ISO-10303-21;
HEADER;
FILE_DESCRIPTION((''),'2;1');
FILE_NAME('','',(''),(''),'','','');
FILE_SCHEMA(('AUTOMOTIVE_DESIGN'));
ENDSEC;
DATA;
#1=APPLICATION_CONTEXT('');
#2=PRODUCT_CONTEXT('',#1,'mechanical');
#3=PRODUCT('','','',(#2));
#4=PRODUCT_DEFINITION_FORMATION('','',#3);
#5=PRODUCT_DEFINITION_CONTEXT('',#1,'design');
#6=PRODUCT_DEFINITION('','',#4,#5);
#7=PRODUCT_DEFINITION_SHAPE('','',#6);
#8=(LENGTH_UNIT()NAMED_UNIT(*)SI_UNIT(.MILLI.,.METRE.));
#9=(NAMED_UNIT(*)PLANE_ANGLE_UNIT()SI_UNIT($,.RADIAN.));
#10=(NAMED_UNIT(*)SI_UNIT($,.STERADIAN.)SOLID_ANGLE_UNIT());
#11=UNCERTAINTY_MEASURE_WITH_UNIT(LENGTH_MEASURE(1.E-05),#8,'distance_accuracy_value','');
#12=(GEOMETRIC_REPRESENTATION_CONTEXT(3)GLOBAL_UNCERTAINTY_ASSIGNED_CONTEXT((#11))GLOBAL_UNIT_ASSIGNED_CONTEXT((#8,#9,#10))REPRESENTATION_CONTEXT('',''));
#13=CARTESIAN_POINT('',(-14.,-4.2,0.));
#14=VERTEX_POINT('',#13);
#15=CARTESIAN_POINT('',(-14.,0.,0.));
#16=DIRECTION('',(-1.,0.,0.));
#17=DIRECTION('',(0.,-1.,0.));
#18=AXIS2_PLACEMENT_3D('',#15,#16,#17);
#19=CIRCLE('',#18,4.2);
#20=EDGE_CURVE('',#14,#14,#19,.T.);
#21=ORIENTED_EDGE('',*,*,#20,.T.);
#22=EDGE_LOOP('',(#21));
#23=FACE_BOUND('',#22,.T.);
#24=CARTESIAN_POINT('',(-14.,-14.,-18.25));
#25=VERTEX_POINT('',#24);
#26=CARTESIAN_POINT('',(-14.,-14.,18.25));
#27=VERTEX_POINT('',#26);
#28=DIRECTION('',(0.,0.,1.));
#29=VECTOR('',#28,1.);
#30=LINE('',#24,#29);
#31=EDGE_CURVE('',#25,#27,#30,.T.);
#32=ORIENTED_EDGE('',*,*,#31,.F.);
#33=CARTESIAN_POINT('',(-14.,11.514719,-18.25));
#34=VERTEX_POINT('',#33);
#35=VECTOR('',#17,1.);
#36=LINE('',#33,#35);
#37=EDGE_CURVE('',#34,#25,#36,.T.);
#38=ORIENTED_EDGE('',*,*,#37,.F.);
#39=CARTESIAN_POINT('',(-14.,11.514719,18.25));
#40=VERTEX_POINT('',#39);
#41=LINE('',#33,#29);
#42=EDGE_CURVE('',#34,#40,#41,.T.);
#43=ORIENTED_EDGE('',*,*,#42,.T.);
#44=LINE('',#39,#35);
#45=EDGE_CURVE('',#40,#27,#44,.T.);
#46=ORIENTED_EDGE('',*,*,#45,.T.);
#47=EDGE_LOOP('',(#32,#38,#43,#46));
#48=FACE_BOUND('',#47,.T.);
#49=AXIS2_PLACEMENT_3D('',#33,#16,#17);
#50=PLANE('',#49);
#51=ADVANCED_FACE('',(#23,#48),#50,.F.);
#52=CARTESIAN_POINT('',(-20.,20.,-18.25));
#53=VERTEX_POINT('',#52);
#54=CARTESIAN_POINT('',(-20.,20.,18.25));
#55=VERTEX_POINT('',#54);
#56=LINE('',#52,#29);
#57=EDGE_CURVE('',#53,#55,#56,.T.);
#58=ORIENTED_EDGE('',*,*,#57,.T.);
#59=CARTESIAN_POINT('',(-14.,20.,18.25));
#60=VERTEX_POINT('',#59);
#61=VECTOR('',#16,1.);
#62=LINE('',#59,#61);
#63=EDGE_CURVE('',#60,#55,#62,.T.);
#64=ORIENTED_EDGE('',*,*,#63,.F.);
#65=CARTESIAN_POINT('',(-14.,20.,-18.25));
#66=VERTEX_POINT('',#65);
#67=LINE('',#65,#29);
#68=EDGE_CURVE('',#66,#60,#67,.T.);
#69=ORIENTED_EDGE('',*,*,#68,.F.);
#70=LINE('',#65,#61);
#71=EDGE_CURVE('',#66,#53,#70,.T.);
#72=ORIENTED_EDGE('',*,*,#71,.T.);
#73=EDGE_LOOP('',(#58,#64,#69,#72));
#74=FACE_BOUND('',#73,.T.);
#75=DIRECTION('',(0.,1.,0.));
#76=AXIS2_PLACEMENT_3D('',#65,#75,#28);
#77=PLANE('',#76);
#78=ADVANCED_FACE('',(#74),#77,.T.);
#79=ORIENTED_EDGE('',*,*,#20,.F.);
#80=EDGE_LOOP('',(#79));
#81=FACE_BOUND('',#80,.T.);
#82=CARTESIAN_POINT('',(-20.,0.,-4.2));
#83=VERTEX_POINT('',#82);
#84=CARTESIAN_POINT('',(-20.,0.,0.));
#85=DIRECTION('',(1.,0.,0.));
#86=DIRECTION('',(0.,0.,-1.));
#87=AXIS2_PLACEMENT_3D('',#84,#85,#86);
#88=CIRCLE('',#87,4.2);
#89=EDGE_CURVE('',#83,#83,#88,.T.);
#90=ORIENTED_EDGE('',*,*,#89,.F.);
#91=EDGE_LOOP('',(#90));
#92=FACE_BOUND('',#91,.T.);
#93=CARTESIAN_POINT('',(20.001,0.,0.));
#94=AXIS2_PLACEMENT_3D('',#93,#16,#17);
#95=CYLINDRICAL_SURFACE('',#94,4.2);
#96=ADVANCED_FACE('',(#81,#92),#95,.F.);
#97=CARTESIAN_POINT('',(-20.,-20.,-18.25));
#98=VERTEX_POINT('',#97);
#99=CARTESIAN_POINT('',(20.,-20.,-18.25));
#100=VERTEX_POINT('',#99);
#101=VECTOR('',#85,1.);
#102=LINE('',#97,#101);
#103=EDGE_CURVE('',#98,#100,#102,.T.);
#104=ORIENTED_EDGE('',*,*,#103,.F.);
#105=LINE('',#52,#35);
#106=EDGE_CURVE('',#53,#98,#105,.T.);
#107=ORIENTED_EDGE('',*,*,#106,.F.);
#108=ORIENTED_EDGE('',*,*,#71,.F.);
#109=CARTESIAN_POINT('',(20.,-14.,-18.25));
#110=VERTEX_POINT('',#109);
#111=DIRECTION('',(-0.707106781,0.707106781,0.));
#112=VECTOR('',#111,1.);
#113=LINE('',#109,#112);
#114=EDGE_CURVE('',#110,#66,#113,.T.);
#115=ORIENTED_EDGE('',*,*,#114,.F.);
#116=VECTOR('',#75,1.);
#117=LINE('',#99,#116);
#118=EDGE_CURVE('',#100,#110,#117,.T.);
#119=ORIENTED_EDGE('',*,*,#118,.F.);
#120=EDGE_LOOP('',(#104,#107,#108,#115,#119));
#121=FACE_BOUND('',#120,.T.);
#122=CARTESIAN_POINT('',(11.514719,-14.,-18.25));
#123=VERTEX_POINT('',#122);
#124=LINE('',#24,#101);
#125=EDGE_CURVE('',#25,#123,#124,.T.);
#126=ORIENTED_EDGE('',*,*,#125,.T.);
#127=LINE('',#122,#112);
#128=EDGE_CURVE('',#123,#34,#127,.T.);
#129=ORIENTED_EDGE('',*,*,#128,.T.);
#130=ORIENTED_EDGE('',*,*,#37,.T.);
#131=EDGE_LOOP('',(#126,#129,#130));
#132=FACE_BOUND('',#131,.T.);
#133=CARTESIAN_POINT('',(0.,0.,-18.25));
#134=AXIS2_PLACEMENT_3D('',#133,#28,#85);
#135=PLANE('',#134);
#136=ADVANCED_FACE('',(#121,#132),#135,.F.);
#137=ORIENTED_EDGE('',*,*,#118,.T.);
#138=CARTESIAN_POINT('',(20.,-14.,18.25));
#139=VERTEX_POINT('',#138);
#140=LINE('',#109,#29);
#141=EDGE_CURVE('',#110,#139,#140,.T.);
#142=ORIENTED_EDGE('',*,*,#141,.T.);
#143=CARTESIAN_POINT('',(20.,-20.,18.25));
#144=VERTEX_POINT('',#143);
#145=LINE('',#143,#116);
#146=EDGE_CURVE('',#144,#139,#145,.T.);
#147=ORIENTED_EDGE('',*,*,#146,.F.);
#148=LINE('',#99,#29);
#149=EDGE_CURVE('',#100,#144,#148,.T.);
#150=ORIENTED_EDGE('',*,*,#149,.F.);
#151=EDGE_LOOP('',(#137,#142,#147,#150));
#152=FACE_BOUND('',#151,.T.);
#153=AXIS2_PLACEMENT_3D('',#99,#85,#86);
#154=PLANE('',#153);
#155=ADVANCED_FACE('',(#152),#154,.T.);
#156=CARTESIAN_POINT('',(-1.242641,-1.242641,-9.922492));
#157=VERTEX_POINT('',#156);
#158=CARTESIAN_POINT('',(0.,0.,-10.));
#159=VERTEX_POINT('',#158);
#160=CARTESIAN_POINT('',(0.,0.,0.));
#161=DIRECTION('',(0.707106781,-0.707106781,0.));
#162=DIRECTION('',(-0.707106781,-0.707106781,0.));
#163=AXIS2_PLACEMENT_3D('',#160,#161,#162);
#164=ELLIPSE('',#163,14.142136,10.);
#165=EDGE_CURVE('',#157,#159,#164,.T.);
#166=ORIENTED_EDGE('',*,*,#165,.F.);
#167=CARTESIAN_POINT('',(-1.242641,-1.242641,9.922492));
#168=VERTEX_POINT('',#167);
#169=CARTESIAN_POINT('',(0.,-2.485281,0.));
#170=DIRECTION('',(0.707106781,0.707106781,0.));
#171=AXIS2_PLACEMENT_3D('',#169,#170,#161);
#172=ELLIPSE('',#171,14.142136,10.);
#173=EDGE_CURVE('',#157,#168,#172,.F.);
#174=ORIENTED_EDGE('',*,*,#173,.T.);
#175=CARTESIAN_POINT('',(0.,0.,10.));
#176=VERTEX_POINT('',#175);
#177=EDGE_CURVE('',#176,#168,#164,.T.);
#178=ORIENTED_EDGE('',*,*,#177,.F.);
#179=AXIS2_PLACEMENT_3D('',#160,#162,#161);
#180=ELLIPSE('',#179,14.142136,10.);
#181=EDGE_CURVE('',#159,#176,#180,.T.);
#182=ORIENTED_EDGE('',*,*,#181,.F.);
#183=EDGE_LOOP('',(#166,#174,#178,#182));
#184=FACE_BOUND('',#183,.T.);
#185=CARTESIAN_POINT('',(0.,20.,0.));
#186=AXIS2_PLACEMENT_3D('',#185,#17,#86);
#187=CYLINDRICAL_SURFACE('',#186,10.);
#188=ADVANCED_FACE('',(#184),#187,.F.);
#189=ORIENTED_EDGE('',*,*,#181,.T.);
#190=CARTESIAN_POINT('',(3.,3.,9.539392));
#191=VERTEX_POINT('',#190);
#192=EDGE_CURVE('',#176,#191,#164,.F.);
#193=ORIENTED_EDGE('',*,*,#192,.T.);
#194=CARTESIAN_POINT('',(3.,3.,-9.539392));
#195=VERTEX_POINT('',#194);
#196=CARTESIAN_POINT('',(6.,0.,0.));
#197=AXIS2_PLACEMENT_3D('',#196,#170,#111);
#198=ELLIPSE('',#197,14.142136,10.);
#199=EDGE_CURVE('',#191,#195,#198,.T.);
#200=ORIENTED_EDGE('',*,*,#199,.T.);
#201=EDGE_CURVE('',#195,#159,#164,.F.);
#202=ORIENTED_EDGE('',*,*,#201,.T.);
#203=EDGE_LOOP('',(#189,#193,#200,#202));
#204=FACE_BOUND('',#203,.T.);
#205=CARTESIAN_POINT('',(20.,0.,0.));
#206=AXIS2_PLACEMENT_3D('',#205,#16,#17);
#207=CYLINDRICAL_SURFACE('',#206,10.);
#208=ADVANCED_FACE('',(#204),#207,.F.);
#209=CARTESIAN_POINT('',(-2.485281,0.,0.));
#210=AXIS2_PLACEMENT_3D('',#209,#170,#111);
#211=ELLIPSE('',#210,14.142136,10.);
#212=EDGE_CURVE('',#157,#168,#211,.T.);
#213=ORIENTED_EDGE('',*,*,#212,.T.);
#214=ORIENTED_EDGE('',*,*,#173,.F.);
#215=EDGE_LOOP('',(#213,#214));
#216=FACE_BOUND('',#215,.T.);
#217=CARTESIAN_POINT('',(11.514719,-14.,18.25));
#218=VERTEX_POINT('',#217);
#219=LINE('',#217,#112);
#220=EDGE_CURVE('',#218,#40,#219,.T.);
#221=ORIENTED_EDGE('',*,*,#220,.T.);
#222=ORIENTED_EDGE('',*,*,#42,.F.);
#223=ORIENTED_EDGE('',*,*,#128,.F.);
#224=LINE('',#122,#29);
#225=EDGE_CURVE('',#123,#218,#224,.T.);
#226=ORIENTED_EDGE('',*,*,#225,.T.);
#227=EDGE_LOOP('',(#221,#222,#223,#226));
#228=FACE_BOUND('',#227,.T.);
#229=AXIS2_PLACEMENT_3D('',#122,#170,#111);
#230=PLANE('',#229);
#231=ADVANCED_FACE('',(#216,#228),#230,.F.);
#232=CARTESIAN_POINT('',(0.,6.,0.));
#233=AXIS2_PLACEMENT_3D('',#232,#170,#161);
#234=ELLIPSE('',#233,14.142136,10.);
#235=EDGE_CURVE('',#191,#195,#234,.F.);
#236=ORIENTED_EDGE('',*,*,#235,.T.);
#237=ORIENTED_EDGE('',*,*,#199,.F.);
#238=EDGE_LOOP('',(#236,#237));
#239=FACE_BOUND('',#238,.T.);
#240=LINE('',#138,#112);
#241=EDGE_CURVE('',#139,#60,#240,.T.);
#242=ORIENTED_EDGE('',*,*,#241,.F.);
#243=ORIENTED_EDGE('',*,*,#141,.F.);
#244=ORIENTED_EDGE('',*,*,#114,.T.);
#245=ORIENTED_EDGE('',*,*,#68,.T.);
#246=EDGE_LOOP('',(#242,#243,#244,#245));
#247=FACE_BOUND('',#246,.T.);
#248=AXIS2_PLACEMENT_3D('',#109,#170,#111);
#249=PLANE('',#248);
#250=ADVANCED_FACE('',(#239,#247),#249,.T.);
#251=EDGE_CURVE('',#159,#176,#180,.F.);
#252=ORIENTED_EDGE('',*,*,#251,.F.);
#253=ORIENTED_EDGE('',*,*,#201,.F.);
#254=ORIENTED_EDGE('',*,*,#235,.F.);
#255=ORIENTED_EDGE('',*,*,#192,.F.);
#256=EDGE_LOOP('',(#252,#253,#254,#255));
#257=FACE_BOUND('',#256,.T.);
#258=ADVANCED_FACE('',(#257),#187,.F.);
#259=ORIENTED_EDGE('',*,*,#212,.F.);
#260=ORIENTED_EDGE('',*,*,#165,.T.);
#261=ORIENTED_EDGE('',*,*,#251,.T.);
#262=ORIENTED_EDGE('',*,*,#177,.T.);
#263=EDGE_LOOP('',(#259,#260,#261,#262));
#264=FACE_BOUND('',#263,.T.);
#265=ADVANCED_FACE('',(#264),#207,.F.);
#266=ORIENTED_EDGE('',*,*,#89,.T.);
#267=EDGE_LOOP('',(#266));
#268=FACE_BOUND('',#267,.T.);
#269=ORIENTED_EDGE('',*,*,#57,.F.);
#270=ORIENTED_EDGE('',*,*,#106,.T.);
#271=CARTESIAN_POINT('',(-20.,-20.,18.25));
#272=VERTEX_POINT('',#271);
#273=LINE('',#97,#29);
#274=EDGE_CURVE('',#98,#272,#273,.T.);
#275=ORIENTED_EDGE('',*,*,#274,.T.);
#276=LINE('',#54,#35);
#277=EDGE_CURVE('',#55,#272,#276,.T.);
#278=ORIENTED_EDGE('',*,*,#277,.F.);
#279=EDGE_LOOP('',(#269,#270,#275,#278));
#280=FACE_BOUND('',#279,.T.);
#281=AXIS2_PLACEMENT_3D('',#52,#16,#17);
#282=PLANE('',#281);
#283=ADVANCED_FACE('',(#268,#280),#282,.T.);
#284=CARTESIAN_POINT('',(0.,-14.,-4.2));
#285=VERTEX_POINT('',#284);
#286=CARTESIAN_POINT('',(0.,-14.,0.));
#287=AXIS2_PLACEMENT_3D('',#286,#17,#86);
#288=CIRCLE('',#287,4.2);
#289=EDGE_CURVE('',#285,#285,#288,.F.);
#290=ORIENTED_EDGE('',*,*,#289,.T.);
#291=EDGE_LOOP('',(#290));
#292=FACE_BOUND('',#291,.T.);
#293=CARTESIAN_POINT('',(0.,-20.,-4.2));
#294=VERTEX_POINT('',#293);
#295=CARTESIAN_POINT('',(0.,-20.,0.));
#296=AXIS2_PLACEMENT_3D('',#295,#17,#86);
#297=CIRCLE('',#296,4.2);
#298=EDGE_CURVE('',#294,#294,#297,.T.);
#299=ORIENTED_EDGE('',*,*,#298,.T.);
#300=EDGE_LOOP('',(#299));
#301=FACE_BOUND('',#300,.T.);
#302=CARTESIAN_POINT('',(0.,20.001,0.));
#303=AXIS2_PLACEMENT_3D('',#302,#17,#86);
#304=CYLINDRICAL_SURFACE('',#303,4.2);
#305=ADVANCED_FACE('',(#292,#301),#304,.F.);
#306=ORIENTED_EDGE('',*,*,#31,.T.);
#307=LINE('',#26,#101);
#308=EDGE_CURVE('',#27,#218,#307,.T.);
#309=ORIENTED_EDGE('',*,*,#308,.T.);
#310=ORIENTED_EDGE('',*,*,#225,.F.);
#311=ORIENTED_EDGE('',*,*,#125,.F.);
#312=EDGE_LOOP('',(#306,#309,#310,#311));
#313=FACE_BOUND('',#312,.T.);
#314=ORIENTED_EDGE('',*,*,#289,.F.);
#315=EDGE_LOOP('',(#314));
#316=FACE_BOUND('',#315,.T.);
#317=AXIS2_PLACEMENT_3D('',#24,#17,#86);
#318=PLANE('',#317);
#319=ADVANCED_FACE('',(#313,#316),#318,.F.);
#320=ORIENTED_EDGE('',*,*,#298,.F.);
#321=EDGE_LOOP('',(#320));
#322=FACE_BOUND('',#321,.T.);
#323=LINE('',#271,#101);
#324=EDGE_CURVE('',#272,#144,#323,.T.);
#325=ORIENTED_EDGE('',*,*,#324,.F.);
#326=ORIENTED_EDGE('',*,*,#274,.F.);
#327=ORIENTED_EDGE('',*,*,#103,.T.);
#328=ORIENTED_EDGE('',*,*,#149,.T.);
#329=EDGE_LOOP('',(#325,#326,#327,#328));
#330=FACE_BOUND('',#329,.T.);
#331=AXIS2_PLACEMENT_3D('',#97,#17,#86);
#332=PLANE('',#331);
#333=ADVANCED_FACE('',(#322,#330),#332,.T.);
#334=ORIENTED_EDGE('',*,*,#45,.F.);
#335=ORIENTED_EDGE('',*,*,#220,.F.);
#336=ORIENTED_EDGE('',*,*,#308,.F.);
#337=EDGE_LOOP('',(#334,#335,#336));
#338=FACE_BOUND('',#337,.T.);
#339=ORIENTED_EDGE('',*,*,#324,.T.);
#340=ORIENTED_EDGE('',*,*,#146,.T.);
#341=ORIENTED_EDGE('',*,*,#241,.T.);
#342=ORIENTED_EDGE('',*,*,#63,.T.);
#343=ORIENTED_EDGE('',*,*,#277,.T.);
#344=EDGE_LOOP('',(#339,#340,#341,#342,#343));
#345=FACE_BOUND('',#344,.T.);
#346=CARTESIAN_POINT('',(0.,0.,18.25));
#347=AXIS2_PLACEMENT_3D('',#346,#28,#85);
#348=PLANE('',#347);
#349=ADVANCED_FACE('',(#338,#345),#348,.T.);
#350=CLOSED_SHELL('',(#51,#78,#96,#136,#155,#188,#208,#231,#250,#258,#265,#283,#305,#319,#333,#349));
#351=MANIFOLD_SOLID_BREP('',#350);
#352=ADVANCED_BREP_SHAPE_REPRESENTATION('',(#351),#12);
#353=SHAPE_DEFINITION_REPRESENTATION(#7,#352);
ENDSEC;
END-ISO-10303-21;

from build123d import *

# Parameters (mm, degrees)
BOSS_EXTRUDE1_DEPTH      = 18.25
BOSS_EXTRUDE1_DEPTH_BACK = 18.25
SKETCH4_R                = 4.2
CUT_EXTRUDE1_DEPTH       = 6
SKETCH6_R                = 10
CUT_EXTRUDE2_DEPTH       = 35


with BuildPart() as part:
    # Sketch2 → Boss-Extrude1 (new body, two sides)
    with BuildSketch(Plane.XY) as boss_extrude1_sk:
        Polygon((-20, 20), (-20, -20), (20, -20), (20, -14), (-14, 20), align=None)
        Polygon((-14, 11.514718626), (-14, -14), (11.514718626, -14), align=None, mode=Mode.SUBTRACT)
    extrude(amount=BOSS_EXTRUDE1_DEPTH)
    extrude(boss_extrude1_sk.sketch, amount=-BOSS_EXTRUDE1_DEPTH_BACK)

    # Sketch4 → Cut-Extrude1 (cut)
    with BuildSketch(Plane.XZ.offset(20)):
        Circle(SKETCH4_R)
    cut_extrude1 = extrude(amount=-CUT_EXTRUDE1_DEPTH, mode=Mode.SUBTRACT)

    # Sketch6 → Cut-Extrude2 (cut, through all)
    with BuildSketch(Plane(origin=(0, -14, 0), x_dir=(1, 0, 0), z_dir=(0, 1, 0))):
        Circle(SKETCH6_R)
    cut_extrude2 = extrude(amount=CUT_EXTRUDE2_DEPTH, mode=Mode.SUBTRACT)

    # Mirror1: Cut-Extrude1, Cut-Extrude2 across plane
    add(cut_extrude1.mirror(Plane(origin=(0, 0, 0), x_dir=(0, 0, 1), z_dir=(0.707106781, -0.707106781, 0))), mode=Mode.SUBTRACT)
    add(cut_extrude2.mirror(Plane(origin=(0, 0, 0), x_dir=(0, 0, 1), z_dir=(0.707106781, -0.707106781, 0))), mode=Mode.SUBTRACT)


solid = part.part
